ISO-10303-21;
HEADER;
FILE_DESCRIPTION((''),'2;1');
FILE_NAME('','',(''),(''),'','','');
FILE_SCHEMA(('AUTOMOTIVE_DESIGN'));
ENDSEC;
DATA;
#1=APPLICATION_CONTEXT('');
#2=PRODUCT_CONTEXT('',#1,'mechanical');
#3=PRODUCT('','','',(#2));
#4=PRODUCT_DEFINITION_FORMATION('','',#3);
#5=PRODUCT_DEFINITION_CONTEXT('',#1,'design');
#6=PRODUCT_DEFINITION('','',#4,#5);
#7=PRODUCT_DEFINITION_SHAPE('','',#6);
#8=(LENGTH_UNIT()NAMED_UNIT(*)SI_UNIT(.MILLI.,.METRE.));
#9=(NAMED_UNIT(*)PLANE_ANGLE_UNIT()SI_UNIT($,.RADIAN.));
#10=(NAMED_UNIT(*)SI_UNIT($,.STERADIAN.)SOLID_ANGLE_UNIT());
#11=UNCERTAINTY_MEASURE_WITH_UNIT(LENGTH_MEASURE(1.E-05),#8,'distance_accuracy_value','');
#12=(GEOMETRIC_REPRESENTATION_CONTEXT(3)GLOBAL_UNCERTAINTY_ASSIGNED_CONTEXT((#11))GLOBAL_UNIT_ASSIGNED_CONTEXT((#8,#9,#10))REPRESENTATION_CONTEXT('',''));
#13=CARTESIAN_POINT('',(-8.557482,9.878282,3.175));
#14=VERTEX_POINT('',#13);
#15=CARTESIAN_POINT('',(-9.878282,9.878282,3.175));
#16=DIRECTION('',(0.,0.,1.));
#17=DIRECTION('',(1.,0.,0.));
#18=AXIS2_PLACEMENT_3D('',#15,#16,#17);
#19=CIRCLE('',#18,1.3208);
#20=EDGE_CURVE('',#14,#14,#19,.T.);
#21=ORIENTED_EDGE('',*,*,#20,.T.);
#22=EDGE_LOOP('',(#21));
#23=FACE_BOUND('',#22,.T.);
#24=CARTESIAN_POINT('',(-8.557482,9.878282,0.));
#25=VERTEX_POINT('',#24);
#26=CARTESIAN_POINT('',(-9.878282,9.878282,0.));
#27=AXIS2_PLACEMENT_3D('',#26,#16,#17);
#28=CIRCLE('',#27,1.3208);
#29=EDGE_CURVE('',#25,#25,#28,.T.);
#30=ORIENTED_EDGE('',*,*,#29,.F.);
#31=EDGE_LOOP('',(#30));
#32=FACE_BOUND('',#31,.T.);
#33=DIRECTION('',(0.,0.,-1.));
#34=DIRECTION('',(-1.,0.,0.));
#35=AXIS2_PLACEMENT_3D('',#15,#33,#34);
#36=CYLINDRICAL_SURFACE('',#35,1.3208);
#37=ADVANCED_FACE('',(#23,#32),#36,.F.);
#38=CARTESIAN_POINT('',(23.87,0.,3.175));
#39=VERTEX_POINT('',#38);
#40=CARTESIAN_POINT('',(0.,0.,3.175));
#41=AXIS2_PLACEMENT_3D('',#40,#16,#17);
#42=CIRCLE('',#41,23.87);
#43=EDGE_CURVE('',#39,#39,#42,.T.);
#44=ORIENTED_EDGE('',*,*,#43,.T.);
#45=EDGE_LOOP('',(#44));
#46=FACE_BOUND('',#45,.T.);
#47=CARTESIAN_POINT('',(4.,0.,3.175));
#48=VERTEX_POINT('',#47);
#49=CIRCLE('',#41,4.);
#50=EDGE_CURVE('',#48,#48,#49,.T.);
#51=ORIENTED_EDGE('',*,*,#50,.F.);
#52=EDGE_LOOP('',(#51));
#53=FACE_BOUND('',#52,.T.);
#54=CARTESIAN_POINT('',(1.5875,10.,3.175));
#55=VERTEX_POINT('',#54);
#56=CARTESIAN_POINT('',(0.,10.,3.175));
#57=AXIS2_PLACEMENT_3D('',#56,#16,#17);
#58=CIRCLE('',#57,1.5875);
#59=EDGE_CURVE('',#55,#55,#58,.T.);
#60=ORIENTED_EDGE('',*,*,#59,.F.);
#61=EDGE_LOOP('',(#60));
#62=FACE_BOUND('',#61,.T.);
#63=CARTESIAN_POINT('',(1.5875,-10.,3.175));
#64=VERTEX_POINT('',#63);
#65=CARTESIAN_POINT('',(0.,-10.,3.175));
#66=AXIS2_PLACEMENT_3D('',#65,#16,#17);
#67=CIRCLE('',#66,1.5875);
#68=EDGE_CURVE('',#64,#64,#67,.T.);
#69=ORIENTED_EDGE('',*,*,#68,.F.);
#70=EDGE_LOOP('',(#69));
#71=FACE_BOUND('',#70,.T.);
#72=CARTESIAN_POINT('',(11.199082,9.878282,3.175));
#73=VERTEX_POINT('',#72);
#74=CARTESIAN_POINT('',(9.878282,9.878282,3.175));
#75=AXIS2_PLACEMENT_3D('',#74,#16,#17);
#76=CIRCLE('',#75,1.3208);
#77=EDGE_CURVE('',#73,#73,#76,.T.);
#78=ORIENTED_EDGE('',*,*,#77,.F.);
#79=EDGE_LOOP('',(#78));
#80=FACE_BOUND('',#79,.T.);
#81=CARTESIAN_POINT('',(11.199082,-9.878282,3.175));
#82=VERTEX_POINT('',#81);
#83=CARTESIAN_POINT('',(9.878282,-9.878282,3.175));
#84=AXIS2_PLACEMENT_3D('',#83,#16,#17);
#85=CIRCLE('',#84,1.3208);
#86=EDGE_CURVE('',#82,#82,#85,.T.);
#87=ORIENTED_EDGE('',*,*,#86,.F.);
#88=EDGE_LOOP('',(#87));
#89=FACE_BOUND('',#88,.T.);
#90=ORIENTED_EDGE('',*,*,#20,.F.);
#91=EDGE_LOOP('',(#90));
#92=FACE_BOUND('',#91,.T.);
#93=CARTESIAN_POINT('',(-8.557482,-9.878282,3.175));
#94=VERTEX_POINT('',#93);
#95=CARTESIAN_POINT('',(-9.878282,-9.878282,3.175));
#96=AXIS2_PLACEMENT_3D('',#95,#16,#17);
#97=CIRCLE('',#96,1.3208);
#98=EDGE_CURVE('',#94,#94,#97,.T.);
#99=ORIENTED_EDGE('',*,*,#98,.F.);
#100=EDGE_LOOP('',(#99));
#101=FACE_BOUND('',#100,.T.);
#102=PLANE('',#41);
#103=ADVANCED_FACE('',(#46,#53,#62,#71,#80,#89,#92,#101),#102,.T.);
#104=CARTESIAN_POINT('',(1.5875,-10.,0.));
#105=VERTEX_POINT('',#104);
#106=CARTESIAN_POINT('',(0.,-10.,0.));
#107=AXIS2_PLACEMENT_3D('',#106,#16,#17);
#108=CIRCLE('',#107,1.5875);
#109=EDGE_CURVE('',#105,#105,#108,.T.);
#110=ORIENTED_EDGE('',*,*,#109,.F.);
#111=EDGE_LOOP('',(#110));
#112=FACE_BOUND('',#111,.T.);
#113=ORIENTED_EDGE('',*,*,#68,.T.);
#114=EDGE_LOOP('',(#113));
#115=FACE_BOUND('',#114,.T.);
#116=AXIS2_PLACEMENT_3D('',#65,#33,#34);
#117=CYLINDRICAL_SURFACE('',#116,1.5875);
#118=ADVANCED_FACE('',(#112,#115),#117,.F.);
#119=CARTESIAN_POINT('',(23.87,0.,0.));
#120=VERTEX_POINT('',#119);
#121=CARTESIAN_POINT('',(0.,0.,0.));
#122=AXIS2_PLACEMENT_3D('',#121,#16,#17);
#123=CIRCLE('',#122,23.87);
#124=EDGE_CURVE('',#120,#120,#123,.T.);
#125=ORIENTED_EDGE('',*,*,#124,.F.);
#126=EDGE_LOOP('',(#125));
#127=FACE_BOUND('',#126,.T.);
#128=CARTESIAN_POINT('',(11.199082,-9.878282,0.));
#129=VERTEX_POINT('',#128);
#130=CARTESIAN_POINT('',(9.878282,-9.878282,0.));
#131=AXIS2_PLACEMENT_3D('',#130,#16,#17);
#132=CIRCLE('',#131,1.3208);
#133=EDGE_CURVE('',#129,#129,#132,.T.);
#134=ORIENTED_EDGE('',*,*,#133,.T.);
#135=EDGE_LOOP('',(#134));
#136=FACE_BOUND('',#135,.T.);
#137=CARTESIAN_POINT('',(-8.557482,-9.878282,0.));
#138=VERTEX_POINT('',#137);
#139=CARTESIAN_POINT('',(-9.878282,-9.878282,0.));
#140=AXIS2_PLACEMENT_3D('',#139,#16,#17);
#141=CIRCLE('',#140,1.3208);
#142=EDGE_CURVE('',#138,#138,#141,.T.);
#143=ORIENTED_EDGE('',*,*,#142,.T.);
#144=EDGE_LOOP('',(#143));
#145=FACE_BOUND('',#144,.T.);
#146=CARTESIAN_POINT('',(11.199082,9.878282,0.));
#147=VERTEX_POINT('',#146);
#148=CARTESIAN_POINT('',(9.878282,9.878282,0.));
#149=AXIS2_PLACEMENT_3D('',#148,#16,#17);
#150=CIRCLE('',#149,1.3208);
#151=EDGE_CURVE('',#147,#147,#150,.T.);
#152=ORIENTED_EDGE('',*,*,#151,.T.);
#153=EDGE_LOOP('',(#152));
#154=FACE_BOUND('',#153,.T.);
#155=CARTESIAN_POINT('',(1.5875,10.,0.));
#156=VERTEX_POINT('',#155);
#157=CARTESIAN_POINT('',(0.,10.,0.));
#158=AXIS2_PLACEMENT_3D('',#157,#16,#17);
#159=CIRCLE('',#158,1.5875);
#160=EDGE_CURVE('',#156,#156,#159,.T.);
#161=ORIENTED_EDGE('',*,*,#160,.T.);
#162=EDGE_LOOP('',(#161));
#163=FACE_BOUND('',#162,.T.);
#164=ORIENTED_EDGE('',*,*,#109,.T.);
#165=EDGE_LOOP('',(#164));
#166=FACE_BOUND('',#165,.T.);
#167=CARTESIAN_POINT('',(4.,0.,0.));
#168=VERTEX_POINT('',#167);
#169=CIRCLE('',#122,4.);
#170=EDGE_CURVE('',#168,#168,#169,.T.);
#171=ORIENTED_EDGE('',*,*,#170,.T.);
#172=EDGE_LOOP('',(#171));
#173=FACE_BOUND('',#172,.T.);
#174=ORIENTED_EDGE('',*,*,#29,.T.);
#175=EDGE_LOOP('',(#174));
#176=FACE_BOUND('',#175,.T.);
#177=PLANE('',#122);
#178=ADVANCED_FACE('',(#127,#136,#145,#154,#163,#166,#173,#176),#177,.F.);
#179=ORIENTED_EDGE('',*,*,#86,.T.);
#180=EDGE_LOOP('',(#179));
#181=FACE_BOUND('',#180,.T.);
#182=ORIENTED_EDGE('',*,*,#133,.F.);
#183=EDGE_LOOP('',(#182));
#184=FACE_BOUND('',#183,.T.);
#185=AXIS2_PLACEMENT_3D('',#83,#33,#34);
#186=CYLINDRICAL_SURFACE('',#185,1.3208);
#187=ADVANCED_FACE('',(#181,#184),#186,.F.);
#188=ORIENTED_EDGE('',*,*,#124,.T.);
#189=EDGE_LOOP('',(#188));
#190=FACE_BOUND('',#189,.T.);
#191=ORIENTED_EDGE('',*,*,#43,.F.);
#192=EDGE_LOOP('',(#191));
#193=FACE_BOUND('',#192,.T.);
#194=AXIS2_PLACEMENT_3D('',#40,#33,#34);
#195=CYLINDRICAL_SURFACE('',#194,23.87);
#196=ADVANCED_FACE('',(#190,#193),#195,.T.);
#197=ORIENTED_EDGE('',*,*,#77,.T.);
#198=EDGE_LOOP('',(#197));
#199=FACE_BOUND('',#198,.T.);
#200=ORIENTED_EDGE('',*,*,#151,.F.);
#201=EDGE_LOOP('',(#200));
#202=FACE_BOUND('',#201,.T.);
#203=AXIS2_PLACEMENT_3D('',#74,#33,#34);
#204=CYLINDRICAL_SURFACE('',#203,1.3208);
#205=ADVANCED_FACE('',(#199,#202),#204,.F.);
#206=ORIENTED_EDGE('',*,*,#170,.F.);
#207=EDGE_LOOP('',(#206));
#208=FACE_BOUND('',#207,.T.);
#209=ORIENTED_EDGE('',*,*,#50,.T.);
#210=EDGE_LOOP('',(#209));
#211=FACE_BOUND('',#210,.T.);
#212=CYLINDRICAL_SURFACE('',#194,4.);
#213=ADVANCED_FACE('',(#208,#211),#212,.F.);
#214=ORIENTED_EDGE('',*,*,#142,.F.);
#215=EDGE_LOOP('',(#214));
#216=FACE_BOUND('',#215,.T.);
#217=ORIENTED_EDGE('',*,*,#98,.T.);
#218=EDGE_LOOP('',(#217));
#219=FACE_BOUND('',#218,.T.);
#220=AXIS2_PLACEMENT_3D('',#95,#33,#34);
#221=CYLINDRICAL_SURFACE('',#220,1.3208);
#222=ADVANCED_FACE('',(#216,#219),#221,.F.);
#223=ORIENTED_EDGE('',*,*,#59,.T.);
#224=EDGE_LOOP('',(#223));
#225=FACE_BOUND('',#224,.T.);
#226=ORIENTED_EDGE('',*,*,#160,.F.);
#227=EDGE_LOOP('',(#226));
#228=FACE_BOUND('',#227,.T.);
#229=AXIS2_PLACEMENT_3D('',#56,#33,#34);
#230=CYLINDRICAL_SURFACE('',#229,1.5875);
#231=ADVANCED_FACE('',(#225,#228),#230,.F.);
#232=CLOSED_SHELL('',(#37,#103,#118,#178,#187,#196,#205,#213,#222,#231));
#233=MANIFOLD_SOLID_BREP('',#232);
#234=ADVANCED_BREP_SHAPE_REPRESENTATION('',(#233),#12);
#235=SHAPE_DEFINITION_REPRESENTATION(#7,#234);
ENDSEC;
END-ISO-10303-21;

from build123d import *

# Parameters (mm, degrees)
SKETCH1_R           = 23.87
SKETCH1_R_2         = 1.5875
SKETCH1_R_3         = 1.3208
SKETCH1_R_4         = 4
BOSS_EXTRUDE2_DEPTH = 3.175


with BuildPart() as part:
    # Sketch1 → Boss-Extrude2 (new body)
    with BuildSketch(Plane.XY):
        Circle(SKETCH1_R)
        with Locations((0, 10)):
            Circle(SKETCH1_R_2, mode=Mode.SUBTRACT)
        with Locations((9.878281733, -9.878281733)):
            Circle(SKETCH1_R_3, mode=Mode.SUBTRACT)
        with Locations((9.878281733, 9.878281733)):
            Circle(SKETCH1_R_3, mode=Mode.SUBTRACT)
        with Locations((-9.878281733, -9.878281733)):
            Circle(SKETCH1_R_3, mode=Mode.SUBTRACT)
        with Locations((-9.878281733, 9.878281733)):
            Circle(SKETCH1_R_3, mode=Mode.SUBTRACT)
        Circle(SKETCH1_R_4, mode=Mode.SUBTRACT)
        with Locations((0, -10)):
            Circle(SKETCH1_R_2, mode=Mode.SUBTRACT)
    extrude(amount=BOSS_EXTRUDE2_DEPTH)


solid = part.part
